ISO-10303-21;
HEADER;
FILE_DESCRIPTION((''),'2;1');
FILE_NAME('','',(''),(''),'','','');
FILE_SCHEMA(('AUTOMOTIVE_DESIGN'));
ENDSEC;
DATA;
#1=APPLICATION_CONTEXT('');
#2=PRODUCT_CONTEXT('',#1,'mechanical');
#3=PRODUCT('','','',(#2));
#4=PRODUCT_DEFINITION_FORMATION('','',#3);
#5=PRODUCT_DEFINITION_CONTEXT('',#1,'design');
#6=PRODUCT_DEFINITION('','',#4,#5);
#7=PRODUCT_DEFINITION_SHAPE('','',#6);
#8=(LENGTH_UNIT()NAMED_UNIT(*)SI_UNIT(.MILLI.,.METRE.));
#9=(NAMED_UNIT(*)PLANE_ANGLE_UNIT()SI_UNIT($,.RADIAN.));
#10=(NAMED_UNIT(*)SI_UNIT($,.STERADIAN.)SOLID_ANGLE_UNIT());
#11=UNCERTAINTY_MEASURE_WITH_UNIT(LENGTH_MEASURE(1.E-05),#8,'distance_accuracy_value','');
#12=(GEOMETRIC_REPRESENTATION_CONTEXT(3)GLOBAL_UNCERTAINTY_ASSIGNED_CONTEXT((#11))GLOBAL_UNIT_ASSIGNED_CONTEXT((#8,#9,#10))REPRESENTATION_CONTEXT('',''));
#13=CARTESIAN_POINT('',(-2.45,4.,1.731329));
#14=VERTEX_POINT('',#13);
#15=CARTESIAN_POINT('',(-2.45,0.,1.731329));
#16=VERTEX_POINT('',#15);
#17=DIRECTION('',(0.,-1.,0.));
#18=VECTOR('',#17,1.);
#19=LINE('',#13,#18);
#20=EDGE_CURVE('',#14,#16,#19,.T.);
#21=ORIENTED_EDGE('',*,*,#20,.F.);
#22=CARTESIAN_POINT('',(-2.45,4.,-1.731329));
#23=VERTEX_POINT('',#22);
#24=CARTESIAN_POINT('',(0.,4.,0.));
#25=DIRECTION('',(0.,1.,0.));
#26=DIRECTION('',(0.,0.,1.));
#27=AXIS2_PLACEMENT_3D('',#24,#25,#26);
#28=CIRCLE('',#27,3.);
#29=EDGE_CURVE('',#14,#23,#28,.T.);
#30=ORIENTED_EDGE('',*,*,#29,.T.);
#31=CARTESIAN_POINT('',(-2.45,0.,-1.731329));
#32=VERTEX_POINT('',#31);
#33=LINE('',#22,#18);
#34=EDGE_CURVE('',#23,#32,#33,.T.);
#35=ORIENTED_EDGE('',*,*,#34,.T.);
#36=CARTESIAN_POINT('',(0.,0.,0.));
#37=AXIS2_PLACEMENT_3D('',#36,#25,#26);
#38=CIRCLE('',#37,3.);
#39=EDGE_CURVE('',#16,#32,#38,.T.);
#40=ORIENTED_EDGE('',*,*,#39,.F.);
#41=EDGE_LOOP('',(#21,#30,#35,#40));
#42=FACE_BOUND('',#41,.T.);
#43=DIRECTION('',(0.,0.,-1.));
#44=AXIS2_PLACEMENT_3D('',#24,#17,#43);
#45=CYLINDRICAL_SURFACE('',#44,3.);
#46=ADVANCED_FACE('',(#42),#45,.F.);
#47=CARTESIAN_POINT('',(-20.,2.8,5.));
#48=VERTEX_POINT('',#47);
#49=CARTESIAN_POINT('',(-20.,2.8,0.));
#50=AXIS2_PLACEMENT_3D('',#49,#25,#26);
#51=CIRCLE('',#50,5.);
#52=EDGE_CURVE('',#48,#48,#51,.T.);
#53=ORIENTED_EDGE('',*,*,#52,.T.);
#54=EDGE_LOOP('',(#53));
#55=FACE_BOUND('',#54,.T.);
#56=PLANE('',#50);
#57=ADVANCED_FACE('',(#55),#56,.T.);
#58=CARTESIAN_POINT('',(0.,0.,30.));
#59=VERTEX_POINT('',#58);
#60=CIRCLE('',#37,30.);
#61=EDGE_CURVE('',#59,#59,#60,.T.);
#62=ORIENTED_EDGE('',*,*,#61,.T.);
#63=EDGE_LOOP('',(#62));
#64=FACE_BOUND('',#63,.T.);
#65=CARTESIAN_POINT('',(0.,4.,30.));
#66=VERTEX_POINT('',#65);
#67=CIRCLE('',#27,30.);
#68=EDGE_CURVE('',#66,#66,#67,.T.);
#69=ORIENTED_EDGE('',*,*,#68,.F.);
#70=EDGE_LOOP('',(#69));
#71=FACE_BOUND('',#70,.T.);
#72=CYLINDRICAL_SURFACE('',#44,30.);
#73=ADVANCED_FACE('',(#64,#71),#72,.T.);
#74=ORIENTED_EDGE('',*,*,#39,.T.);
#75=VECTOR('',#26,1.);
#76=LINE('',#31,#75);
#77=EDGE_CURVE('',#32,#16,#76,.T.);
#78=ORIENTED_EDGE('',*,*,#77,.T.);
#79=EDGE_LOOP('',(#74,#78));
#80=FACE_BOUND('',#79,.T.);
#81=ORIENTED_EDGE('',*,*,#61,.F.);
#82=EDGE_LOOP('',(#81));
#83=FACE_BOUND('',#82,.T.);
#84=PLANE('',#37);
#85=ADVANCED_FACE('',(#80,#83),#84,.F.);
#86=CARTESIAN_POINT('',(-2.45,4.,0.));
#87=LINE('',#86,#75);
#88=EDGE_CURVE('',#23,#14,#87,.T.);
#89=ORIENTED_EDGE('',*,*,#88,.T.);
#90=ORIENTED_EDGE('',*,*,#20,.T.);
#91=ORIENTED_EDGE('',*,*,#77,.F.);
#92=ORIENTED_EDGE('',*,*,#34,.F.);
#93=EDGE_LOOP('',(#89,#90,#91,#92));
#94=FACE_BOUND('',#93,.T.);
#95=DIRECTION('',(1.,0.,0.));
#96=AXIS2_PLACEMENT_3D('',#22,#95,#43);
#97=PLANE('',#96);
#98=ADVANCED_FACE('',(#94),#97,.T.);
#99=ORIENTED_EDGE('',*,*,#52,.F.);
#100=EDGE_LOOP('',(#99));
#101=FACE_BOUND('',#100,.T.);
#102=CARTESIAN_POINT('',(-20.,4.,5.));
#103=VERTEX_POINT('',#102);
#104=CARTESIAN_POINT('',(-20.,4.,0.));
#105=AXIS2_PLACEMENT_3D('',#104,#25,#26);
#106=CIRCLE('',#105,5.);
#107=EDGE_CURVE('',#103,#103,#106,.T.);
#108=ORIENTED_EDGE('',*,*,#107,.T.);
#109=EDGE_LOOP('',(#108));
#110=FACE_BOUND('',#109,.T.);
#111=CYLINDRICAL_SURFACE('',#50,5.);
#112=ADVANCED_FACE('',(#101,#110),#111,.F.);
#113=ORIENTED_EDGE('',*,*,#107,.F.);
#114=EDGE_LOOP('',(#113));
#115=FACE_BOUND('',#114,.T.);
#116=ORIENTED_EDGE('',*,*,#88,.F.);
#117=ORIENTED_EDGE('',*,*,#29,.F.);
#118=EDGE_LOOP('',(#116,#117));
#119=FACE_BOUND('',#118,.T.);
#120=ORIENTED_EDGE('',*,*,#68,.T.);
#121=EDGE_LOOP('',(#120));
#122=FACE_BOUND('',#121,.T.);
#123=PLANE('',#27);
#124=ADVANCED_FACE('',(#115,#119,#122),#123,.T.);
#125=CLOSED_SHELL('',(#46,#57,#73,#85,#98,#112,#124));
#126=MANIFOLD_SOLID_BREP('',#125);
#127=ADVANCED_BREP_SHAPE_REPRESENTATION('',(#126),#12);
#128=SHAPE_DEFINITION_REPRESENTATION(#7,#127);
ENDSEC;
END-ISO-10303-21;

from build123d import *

# Parameters (mm, degrees)
SKETCH1_R           = 30
BOSS_EXTRUDE1_DEPTH = 4
SKETCH2_R           = 5
CUT_EXTRUDE1_DEPTH  = 1.2


with BuildPart() as part:
    # Sketch1 → Boss-Extrude1 (new body)
    with BuildSketch(Plane(origin=(0, 0, 0), x_dir=(1, 0, 0), z_dir=(0, 1, 0))):
        with Locations(Location((0, 0, 0), (0, 0, 270))):
            Circle(SKETCH1_R)
        with BuildLine():
            Line((-2.45, 1.731328969), (-2.45, 0))
            Line((-2.45, 0), (-2.45, -1.731328969))
            ThreePointArc((-2.45, -1.731328969), (3, 0), (-2.45, 1.731328969))
        make_face(mode=Mode.SUBTRACT)
    extrude(amount=BOSS_EXTRUDE1_DEPTH)

    # Sketch2 → Cut-Extrude1 (cut)
    with BuildSketch(Plane(origin=(0, 4, 0), x_dir=(1, 0, 0), z_dir=(0, 1, 0))):
        with Locations(Location((-20, 0, 0), (0, 0, 270))):
            Circle(SKETCH2_R)
    extrude(amount=-CUT_EXTRUDE1_DEPTH, mode=Mode.SUBTRACT)


solid = part.part
